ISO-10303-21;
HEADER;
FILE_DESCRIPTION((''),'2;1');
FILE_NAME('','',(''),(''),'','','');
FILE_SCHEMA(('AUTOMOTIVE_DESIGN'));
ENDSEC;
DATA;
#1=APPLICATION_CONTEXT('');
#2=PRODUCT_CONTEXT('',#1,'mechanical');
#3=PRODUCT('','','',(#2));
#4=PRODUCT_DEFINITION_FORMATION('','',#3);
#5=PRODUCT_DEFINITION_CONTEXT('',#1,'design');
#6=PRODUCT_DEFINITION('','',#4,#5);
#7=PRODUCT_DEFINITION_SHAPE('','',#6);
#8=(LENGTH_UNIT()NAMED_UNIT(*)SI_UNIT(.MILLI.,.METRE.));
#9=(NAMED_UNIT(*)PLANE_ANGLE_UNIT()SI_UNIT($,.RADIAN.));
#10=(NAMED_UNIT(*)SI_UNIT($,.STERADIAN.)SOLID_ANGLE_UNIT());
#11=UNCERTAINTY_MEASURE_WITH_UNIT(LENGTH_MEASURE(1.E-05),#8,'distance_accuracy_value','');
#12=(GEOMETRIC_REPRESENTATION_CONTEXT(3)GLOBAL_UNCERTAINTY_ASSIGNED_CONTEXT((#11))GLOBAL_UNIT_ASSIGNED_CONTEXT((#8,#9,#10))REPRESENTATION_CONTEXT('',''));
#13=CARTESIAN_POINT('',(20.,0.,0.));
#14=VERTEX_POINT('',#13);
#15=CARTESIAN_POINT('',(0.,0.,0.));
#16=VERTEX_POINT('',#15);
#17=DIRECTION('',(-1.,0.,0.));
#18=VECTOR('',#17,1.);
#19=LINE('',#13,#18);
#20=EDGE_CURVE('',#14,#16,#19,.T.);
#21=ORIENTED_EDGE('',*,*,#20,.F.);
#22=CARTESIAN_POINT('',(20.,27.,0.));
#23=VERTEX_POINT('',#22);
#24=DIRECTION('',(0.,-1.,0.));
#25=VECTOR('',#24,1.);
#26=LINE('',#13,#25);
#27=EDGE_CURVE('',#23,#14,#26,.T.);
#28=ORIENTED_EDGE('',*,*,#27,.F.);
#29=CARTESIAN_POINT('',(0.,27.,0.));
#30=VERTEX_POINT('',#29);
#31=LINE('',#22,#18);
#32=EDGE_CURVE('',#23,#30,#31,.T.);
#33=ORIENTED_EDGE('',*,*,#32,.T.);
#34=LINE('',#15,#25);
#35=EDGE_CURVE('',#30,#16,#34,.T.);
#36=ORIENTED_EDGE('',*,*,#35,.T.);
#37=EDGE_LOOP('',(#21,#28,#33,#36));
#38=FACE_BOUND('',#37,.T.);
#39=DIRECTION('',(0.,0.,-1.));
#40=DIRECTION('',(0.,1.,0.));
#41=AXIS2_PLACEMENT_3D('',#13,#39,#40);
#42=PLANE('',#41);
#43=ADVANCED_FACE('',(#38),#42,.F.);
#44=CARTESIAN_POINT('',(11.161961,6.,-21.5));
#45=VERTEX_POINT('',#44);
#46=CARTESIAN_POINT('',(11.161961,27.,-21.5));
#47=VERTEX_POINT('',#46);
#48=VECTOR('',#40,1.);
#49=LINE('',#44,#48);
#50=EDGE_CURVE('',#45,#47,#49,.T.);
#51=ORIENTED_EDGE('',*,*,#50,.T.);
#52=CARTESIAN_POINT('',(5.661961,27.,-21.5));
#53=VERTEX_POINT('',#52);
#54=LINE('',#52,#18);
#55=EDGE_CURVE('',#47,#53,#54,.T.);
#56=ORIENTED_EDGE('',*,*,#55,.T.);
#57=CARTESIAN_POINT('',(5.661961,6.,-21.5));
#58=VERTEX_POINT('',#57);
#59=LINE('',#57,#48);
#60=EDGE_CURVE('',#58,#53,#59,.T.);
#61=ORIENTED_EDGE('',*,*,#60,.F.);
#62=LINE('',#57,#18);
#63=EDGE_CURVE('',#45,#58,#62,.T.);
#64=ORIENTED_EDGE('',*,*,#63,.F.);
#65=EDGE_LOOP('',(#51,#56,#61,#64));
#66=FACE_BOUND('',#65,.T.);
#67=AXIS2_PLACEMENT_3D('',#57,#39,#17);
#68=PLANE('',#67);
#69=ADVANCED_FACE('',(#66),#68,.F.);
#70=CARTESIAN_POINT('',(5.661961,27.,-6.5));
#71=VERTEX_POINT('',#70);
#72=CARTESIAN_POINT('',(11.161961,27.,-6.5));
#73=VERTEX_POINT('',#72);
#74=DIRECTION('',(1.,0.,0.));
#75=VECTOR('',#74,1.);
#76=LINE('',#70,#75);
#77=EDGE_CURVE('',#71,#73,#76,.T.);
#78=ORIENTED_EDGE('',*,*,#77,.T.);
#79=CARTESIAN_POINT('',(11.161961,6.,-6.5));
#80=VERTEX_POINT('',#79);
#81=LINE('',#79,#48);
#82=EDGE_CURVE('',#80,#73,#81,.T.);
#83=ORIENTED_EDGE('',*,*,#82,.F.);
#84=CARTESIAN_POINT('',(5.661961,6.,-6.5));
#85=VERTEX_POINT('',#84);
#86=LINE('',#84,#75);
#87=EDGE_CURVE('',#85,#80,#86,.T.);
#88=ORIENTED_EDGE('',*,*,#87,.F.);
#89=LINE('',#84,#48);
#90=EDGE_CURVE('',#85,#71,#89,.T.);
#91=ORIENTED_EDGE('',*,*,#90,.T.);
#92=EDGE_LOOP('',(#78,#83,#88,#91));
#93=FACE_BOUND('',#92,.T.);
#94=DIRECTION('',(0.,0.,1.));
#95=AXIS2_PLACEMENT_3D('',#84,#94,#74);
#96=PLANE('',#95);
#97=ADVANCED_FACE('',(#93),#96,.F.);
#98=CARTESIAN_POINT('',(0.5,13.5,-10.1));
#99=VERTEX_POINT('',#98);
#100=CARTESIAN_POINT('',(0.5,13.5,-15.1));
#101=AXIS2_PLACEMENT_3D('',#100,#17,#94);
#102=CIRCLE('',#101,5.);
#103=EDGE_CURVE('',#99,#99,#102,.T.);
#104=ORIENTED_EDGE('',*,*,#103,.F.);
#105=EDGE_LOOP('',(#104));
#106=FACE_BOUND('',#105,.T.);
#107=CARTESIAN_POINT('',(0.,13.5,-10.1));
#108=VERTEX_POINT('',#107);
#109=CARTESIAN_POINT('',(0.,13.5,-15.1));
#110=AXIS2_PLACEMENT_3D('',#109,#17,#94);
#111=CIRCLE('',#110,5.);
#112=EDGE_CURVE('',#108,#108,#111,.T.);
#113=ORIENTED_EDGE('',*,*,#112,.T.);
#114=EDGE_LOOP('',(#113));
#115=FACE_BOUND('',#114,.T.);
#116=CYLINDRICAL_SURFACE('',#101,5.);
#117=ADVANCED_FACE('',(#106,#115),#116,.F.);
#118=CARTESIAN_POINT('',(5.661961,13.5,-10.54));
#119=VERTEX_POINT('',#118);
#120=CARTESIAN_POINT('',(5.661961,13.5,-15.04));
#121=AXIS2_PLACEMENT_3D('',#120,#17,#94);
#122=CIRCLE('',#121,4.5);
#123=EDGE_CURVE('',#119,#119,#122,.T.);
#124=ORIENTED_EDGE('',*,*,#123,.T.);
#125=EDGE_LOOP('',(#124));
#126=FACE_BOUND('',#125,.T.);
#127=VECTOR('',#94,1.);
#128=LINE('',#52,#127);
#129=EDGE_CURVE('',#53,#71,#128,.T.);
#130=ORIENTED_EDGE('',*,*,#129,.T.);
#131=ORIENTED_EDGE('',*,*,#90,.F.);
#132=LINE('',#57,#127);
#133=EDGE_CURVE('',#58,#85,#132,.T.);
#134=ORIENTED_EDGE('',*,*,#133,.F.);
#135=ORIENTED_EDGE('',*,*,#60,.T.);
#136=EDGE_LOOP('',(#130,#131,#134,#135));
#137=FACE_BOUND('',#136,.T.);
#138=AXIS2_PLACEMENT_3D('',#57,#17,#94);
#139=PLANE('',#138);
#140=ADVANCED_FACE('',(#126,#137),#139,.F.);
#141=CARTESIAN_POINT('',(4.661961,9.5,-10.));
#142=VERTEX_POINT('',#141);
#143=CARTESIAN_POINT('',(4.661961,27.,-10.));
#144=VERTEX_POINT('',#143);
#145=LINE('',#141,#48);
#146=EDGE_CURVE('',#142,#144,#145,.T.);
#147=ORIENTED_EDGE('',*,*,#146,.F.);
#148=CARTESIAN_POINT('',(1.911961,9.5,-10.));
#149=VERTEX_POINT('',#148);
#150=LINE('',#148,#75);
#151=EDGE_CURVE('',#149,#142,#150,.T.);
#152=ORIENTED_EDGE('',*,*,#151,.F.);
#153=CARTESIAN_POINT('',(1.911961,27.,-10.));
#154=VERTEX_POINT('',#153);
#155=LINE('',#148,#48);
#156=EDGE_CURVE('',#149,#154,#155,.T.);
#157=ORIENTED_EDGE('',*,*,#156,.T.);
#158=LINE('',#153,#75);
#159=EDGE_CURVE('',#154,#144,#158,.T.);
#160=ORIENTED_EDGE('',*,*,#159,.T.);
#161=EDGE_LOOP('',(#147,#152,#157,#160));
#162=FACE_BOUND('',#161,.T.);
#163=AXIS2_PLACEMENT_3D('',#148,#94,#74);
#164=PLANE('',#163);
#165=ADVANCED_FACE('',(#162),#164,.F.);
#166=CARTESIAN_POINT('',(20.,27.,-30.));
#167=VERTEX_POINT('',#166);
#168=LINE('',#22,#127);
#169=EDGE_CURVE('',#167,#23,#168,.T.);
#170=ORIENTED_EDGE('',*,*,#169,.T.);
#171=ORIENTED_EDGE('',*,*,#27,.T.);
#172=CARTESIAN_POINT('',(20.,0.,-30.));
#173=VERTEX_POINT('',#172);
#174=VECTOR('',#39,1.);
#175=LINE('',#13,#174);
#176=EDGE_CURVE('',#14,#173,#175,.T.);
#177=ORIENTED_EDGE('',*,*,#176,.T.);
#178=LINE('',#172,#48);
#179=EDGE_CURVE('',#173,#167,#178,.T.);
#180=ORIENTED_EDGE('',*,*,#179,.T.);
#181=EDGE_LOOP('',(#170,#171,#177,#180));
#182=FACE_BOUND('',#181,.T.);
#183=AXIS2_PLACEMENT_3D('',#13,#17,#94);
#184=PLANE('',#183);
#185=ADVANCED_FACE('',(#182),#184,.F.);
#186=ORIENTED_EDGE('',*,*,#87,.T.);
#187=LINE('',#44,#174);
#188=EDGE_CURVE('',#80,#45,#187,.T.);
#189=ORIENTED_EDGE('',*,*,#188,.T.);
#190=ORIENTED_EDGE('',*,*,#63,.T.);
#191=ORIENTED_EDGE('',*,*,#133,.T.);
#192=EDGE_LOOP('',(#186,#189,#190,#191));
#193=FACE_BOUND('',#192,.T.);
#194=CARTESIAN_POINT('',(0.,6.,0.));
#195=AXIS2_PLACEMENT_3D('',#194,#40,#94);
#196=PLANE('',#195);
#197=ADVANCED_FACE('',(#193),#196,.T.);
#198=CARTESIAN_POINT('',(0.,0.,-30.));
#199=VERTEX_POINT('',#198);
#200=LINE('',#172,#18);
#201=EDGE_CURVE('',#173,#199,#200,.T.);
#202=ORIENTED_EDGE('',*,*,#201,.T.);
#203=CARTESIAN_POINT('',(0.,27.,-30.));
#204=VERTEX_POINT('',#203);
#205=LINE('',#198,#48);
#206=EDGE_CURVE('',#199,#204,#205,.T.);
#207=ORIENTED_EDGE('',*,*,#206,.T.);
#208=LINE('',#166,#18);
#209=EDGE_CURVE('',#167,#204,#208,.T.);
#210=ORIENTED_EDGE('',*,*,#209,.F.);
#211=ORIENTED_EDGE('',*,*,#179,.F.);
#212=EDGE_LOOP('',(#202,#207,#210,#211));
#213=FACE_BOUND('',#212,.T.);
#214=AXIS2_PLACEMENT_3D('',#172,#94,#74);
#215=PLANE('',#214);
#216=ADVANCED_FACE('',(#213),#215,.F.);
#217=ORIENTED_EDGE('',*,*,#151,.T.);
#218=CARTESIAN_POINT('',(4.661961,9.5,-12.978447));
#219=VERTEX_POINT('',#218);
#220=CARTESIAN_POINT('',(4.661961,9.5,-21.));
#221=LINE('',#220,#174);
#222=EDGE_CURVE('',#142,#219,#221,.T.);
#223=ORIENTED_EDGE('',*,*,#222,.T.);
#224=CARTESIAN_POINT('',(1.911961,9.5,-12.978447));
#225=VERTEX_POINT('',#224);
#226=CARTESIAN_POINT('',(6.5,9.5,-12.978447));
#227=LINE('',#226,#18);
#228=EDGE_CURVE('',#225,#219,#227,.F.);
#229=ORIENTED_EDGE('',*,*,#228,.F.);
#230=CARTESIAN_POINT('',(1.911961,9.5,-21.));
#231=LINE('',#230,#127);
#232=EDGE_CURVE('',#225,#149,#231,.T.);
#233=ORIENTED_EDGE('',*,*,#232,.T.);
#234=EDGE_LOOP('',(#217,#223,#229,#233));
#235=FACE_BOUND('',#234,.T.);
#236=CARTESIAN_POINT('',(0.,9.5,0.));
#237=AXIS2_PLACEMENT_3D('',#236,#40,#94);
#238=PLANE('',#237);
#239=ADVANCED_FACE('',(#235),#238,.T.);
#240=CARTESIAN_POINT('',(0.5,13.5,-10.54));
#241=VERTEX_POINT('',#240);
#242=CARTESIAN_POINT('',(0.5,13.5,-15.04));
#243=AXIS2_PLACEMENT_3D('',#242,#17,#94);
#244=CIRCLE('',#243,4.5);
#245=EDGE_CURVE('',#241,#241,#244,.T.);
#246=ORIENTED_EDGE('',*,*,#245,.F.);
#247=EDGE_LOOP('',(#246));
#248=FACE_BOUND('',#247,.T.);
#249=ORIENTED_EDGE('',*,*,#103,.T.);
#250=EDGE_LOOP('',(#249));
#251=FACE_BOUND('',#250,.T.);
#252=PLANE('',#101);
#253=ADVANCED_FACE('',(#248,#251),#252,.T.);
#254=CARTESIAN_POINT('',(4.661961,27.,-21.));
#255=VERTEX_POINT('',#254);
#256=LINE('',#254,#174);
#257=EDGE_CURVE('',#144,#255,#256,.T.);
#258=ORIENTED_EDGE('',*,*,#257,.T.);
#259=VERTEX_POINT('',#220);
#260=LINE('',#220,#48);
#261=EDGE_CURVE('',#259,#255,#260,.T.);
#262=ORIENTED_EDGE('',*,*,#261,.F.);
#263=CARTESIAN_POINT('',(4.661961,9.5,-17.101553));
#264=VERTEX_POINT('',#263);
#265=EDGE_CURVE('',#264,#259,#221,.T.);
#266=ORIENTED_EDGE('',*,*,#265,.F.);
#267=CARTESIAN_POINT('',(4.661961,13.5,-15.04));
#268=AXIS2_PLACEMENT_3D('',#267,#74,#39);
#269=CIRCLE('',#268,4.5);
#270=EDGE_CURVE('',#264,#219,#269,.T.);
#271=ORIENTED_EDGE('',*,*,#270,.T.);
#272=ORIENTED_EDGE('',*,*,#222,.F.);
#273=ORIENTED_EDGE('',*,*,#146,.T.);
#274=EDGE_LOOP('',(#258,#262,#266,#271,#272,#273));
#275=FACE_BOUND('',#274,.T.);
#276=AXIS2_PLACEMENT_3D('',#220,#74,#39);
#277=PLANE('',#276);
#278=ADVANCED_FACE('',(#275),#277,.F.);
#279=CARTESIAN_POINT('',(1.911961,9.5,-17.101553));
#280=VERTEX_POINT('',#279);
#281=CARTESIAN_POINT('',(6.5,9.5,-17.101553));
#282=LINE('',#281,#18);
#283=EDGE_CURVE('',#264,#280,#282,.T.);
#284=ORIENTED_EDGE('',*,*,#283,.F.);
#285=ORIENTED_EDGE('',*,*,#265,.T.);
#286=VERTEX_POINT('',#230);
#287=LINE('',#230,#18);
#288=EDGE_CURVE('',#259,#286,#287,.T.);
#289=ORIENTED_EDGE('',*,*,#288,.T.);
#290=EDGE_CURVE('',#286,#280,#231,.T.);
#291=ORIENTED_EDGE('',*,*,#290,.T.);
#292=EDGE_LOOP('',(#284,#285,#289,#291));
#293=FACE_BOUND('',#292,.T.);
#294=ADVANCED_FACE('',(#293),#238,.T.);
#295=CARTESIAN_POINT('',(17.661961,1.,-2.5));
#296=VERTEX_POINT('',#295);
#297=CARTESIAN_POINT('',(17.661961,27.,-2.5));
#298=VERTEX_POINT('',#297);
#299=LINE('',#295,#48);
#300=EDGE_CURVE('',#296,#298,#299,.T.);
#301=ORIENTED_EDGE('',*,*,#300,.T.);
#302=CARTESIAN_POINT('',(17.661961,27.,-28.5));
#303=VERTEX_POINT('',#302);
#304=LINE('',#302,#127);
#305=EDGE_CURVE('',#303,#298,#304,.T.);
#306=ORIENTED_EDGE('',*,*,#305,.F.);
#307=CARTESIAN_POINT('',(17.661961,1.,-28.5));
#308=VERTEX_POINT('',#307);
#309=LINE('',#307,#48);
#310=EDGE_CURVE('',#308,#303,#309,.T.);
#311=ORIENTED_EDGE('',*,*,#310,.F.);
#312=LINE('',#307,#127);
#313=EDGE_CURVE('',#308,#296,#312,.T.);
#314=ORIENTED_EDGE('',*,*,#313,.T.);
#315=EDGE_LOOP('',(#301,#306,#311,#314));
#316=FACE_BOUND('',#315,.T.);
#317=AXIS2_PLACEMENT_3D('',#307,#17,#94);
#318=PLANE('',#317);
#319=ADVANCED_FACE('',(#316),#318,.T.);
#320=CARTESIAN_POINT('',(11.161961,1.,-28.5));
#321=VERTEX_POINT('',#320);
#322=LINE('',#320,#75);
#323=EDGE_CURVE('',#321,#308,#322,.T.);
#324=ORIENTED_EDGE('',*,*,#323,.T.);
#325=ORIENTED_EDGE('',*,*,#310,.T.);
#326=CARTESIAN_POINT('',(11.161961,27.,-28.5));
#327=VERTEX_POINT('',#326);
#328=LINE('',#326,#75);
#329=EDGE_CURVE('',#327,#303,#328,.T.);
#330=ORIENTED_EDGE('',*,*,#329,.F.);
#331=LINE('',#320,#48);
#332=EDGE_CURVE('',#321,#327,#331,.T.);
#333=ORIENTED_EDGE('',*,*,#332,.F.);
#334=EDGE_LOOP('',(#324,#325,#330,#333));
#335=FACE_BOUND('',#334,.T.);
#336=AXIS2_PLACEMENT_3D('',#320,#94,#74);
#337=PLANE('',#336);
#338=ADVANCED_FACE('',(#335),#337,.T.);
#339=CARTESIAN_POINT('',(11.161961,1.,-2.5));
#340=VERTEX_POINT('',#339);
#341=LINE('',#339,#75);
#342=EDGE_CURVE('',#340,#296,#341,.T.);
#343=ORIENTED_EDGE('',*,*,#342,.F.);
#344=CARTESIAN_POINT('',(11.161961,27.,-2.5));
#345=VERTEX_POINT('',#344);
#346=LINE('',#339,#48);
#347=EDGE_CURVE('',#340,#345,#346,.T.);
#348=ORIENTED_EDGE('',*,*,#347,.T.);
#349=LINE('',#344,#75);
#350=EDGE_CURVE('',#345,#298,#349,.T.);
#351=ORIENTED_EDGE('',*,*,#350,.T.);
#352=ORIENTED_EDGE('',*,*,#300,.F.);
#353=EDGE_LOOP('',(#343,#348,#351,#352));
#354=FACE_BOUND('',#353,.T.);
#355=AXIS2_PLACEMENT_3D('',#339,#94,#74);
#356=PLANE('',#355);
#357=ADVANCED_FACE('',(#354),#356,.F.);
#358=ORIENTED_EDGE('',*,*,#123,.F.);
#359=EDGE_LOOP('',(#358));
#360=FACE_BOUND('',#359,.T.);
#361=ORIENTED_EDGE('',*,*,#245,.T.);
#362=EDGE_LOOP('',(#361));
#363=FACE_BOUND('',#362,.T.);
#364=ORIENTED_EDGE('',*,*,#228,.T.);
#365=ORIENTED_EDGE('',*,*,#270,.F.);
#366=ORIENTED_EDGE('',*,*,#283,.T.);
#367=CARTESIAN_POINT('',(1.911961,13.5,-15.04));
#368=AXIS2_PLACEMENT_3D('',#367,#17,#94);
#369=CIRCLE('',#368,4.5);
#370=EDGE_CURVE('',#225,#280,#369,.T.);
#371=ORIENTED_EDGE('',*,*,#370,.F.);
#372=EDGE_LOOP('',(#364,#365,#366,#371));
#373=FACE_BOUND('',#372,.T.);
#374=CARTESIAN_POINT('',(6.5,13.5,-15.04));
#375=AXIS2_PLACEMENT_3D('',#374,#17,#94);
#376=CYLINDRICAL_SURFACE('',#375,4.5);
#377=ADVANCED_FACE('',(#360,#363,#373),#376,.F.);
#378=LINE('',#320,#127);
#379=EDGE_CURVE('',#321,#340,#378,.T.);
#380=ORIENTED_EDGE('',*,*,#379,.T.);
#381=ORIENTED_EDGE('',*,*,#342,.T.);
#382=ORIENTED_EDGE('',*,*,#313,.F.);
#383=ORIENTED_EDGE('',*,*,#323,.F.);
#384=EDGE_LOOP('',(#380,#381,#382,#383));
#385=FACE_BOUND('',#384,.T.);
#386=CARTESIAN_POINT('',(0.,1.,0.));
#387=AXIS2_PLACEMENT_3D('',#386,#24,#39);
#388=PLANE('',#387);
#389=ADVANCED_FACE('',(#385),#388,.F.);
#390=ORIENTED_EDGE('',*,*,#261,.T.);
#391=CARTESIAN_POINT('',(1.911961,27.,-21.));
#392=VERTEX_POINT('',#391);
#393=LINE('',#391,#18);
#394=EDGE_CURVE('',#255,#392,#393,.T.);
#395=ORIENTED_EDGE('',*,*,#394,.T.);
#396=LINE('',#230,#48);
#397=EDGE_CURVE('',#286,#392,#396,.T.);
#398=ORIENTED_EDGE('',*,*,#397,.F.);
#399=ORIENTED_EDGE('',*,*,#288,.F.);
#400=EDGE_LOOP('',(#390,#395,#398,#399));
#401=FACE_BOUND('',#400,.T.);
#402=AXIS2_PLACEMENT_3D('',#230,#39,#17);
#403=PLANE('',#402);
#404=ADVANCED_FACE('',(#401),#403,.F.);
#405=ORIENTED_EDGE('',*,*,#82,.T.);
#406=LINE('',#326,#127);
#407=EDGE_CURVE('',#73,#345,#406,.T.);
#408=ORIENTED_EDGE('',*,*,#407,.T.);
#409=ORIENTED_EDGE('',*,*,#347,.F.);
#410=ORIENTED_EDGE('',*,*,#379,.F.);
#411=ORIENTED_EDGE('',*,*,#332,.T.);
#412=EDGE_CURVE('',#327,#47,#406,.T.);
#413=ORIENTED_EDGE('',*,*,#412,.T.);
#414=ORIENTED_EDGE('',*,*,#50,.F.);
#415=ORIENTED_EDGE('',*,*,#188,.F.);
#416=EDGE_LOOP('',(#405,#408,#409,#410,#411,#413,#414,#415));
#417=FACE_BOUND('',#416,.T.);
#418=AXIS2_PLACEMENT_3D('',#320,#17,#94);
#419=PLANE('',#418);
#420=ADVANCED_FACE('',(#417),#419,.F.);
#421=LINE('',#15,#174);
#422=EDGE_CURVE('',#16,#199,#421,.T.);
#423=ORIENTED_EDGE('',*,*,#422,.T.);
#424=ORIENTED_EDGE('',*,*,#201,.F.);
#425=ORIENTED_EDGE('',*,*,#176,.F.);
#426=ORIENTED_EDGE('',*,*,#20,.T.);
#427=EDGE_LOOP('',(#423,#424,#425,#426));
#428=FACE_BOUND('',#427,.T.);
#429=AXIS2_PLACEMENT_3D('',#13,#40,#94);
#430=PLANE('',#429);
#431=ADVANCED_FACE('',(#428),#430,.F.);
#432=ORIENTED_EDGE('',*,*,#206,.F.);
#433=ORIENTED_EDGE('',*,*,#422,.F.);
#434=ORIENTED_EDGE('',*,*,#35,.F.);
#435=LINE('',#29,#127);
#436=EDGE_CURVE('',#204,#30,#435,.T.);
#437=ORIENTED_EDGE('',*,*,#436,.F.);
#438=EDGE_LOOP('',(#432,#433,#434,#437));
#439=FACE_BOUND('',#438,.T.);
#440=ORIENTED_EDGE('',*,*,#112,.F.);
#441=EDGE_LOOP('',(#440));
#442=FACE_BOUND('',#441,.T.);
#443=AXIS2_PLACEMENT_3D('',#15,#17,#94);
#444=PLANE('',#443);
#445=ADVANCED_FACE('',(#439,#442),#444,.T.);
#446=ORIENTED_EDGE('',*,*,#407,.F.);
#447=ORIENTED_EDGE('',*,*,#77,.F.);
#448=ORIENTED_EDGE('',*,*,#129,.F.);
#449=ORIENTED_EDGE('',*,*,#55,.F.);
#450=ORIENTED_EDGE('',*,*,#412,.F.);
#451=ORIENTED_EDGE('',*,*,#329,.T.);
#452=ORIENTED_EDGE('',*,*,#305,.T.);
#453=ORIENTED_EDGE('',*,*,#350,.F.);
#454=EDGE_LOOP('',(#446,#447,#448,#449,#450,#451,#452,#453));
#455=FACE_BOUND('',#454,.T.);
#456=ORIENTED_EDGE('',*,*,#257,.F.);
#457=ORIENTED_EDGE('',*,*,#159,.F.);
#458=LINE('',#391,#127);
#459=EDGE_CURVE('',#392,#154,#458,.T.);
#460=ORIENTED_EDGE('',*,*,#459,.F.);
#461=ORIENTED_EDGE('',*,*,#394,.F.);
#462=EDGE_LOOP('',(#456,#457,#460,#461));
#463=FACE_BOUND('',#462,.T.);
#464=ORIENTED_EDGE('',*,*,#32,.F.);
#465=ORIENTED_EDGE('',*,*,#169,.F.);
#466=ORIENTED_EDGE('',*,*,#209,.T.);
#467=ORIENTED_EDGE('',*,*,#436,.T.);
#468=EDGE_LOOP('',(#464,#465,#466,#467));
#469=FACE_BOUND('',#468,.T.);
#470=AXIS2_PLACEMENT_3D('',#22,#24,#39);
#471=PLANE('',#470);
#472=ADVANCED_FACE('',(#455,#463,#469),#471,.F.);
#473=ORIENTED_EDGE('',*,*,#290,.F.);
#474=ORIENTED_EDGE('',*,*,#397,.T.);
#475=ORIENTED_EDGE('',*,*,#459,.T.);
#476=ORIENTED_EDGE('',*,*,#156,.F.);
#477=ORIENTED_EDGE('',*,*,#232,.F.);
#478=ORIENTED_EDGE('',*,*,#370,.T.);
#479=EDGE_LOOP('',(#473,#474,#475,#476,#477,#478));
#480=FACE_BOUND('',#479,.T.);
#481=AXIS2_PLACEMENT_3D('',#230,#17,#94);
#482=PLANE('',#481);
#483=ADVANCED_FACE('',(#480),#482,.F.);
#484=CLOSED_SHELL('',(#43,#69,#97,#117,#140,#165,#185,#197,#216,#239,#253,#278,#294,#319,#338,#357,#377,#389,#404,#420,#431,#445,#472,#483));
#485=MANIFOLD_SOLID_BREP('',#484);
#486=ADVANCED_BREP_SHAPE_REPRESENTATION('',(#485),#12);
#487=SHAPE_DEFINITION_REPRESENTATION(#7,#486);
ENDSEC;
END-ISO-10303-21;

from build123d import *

# Parameters (mm, degrees)
SKETCH2_W           = 30
SKETCH2_H           = 27
BOSS_EXTRUDE1_DEPTH = 20
SKETCH6_W           = 6.5
SKETCH6_H           = 26
CUT_EXTRUDE4_DEPTH  = 26
SKETCH9_W           = 5.5
SKETCH9_H           = 15
CUT_EXTRUDE5_DEPTH  = 21
SKETCH11_R          = 5
CUT_EXTRUDE8_DEPTH  = 0.5
SKETCH12_W          = 2.75
SKETCH12_H          = 11
CUT_EXTRUDE12_DEPTH = 17.5
SKETCH15_R          = 4.5
CUT_EXTRUDE13_DEPTH = 6


with BuildPart() as part:
    # Sketch2 → Boss-Extrude1 (new body)
    with BuildSketch(Plane(origin=(0, 0, 0), x_dir=(0, 0, -1), z_dir=(1, 0, 0))):
        with Locations((15, 13.5)):
            Rectangle(SKETCH2_W, SKETCH2_H)
    extrude(amount=BOSS_EXTRUDE1_DEPTH)

    # Sketch6 → Cut-Extrude4 (cut)
    with BuildSketch(Plane(origin=(2.296116437, 27, -0.293484995), x_dir=(1, 0, 0), z_dir=(0, 1, 0))):
        with Locations((12.115844825, 15.206515005)):
            Rectangle(SKETCH6_W, SKETCH6_H)
    extrude(amount=-CUT_EXTRUDE4_DEPTH, mode=Mode.SUBTRACT)

    # Sketch9 → Cut-Extrude5 (cut)
    with BuildSketch(Plane(origin=(0, 27, 0), x_dir=(1, 0, 0), z_dir=(0, 1, 0))):
        with Locations((8.411961261, 14)):
            Rectangle(SKETCH9_W, SKETCH9_H)
    extrude(amount=-CUT_EXTRUDE5_DEPTH, mode=Mode.SUBTRACT)

    # Sketch11 → Cut-Extrude8 (cut)
    with BuildSketch(Plane.ZY):
        with Locations((-15.1, 13.5)):
            Circle(SKETCH11_R)
    extrude(amount=-CUT_EXTRUDE8_DEPTH, mode=Mode.SUBTRACT)

    # Sketch12 → Cut-Extrude12 (cut)
    with BuildSketch(Plane(origin=(0, 27, 0), x_dir=(1, 0, 0), z_dir=(0, 1, 0))):
        with Locations((3.286961261, 15.5)):
            Rectangle(SKETCH12_W, SKETCH12_H)
    extrude(amount=-CUT_EXTRUDE12_DEPTH, mode=Mode.SUBTRACT)

    # Sketch15 → Cut-Extrude13 (cut)
    with BuildSketch(Plane.ZY.offset(-0.5)):
        with Locations((-15.04, 13.5)):
            Circle(SKETCH15_R)
    extrude(amount=-CUT_EXTRUDE13_DEPTH, mode=Mode.SUBTRACT)


solid = part.part
